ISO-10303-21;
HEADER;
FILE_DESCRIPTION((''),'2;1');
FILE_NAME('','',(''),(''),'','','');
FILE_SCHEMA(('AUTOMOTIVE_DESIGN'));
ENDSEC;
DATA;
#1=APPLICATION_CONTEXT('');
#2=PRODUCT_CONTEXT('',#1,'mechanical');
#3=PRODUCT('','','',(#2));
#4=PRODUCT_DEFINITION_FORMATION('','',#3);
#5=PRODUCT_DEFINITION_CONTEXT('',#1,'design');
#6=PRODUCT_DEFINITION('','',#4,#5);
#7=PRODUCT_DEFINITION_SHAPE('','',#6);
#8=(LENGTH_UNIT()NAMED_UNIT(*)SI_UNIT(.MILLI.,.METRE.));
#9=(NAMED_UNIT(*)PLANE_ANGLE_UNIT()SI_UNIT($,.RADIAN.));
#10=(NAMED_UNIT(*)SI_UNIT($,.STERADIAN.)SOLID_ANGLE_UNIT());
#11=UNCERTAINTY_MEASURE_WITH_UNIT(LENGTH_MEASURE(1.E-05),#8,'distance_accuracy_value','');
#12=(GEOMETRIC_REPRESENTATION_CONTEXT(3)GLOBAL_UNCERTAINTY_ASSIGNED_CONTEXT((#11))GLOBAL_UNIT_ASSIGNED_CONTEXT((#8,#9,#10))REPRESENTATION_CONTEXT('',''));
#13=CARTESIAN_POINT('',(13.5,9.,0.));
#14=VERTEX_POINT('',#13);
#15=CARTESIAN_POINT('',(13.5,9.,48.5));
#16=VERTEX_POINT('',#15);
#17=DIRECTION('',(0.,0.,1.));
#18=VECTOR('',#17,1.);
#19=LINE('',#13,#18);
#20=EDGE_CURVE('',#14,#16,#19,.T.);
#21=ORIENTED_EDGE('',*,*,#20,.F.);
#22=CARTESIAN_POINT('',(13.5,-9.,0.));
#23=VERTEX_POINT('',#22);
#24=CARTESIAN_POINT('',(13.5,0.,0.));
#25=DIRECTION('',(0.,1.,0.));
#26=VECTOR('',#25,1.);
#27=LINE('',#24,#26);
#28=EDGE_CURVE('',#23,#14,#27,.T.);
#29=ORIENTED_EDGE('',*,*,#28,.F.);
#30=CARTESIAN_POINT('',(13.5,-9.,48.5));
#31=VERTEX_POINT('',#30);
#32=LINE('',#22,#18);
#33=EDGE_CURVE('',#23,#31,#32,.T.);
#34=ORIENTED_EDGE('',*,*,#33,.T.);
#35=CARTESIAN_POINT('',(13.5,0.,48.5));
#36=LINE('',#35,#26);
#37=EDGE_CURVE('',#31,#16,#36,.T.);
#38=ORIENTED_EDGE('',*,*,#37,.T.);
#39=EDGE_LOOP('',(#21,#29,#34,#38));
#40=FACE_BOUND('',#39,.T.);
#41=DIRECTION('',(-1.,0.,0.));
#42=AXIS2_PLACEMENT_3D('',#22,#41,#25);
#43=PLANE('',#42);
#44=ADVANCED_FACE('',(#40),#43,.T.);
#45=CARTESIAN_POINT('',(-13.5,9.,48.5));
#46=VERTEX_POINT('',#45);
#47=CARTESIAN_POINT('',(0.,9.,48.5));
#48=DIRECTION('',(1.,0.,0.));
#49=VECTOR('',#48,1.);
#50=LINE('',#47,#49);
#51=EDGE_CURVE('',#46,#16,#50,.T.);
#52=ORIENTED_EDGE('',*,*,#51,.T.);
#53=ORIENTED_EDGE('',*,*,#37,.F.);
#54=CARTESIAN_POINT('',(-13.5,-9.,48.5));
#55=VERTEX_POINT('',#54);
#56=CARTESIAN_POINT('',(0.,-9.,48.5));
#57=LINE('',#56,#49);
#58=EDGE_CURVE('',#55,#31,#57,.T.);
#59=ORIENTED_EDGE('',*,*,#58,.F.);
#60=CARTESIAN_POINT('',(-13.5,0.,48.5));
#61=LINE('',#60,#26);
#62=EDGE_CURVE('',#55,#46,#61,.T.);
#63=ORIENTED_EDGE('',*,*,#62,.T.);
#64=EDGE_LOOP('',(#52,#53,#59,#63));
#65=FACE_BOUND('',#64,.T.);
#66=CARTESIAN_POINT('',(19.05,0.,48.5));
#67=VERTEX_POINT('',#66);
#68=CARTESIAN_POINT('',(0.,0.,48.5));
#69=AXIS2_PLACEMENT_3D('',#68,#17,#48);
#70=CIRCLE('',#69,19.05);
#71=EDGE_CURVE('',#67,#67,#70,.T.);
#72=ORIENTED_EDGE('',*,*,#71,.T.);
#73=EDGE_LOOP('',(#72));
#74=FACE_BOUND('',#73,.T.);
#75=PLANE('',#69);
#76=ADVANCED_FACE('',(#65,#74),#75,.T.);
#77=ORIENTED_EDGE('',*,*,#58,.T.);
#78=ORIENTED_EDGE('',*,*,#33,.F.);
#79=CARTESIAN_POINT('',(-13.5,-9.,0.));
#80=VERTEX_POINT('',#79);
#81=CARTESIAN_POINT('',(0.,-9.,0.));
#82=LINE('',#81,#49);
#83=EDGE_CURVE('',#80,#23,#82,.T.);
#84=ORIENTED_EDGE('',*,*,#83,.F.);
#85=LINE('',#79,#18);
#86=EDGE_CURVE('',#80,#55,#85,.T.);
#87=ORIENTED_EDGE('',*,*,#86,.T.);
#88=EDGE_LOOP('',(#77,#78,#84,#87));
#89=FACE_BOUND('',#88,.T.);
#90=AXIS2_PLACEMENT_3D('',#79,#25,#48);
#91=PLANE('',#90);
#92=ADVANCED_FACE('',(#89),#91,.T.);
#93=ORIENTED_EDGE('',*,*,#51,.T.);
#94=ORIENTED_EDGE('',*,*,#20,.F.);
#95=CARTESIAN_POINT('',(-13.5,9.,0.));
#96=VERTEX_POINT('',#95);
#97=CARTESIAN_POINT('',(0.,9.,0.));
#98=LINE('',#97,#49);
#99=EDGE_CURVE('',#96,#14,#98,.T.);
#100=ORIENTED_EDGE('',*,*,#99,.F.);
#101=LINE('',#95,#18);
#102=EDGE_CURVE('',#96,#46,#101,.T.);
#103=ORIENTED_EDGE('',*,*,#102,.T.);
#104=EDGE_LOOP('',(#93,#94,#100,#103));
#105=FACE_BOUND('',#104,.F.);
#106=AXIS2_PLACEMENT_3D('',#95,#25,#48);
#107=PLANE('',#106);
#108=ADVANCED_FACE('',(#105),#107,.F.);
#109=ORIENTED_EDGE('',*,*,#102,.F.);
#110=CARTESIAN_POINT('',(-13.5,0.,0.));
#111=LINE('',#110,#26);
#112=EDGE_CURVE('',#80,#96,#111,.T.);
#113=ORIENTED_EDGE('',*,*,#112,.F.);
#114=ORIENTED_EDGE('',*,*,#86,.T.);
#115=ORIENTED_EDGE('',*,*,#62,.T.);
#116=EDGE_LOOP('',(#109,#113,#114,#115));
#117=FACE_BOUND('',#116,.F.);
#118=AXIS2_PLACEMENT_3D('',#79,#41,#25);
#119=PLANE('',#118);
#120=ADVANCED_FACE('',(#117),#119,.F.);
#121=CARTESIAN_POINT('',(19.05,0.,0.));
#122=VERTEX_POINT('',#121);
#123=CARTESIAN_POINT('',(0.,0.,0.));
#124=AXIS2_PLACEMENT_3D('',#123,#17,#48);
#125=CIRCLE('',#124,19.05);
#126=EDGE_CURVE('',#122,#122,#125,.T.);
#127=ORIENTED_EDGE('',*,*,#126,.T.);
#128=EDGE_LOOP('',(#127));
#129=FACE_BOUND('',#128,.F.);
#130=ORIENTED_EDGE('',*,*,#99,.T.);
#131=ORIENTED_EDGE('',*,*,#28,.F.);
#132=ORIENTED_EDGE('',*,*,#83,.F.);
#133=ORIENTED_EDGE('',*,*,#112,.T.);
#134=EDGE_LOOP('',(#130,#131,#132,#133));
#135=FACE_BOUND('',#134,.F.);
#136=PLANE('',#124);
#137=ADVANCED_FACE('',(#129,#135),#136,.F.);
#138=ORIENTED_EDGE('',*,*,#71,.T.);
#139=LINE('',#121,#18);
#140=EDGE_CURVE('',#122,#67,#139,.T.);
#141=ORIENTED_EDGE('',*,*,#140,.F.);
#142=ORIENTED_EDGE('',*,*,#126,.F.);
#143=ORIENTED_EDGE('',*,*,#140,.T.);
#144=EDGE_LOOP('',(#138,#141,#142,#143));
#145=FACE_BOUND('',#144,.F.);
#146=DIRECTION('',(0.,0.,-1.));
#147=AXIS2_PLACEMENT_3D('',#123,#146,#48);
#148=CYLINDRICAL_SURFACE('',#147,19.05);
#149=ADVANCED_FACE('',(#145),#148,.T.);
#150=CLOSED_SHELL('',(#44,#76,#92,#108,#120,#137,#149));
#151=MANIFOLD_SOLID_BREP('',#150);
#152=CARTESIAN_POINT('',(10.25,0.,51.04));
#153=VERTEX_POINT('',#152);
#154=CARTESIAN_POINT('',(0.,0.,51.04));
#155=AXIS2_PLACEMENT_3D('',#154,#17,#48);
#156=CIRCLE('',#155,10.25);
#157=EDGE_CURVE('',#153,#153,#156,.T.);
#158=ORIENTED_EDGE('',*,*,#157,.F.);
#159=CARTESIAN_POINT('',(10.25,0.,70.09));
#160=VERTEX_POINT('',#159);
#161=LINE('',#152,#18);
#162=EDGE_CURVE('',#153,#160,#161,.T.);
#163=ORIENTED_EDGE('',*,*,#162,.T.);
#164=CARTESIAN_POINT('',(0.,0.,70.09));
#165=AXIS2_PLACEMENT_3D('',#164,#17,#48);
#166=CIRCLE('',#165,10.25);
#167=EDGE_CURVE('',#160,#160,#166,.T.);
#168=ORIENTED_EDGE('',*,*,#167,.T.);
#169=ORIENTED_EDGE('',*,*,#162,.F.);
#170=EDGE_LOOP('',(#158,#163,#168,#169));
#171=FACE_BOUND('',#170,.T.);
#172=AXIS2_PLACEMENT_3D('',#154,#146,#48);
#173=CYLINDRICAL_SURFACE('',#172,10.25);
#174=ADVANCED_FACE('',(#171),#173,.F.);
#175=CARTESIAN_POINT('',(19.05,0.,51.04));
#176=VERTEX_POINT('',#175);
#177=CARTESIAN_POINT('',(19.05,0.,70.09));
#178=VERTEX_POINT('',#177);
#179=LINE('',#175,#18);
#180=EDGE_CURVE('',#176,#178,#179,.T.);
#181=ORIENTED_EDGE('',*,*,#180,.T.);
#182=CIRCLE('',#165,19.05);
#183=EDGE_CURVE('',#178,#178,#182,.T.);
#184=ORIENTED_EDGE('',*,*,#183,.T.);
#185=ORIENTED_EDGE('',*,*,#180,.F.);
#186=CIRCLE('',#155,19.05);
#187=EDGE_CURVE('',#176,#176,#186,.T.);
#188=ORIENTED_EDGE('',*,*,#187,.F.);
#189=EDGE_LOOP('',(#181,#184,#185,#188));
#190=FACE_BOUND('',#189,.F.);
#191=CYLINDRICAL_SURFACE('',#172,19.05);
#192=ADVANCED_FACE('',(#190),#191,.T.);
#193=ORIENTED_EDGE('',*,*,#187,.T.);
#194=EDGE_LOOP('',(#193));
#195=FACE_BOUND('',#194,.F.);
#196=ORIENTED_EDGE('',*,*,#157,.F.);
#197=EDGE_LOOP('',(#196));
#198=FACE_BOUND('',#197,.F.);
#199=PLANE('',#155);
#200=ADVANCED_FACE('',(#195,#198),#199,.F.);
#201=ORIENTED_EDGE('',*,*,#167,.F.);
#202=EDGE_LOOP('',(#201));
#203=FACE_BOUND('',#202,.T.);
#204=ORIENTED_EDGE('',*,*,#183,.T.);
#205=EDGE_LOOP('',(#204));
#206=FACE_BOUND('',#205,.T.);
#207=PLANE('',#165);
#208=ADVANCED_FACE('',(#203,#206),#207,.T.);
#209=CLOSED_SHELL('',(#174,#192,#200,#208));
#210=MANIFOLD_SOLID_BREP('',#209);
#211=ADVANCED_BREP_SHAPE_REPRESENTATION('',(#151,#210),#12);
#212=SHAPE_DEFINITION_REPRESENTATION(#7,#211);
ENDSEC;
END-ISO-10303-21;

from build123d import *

# Parameters (mm, degrees)
F0_R     = 19.05
F0_W     = 27
F0_H     = 18
F1_DEPTH = 48.5
F3_R     = 19.05
F3_R_2   = 10.25
F4_DEPTH = 19.05


with BuildPart() as f1:
    # F0 (on Top) → F1 (new body)
    with BuildSketch(Plane.XY):
        Circle(F0_R)
        Rectangle(F0_W, F0_H, mode=Mode.SUBTRACT)
    extrude(amount=F1_DEPTH)


with BuildPart() as f4:
    # F3 (on offset) → F4 (new body)
    with BuildSketch(Plane.XY.offset(51.04)):
        Circle(F3_R)
        Circle(F3_R_2, mode=Mode.SUBTRACT)
    extrude(amount=F4_DEPTH)


solid = Compound([f1.part, f4.part])
